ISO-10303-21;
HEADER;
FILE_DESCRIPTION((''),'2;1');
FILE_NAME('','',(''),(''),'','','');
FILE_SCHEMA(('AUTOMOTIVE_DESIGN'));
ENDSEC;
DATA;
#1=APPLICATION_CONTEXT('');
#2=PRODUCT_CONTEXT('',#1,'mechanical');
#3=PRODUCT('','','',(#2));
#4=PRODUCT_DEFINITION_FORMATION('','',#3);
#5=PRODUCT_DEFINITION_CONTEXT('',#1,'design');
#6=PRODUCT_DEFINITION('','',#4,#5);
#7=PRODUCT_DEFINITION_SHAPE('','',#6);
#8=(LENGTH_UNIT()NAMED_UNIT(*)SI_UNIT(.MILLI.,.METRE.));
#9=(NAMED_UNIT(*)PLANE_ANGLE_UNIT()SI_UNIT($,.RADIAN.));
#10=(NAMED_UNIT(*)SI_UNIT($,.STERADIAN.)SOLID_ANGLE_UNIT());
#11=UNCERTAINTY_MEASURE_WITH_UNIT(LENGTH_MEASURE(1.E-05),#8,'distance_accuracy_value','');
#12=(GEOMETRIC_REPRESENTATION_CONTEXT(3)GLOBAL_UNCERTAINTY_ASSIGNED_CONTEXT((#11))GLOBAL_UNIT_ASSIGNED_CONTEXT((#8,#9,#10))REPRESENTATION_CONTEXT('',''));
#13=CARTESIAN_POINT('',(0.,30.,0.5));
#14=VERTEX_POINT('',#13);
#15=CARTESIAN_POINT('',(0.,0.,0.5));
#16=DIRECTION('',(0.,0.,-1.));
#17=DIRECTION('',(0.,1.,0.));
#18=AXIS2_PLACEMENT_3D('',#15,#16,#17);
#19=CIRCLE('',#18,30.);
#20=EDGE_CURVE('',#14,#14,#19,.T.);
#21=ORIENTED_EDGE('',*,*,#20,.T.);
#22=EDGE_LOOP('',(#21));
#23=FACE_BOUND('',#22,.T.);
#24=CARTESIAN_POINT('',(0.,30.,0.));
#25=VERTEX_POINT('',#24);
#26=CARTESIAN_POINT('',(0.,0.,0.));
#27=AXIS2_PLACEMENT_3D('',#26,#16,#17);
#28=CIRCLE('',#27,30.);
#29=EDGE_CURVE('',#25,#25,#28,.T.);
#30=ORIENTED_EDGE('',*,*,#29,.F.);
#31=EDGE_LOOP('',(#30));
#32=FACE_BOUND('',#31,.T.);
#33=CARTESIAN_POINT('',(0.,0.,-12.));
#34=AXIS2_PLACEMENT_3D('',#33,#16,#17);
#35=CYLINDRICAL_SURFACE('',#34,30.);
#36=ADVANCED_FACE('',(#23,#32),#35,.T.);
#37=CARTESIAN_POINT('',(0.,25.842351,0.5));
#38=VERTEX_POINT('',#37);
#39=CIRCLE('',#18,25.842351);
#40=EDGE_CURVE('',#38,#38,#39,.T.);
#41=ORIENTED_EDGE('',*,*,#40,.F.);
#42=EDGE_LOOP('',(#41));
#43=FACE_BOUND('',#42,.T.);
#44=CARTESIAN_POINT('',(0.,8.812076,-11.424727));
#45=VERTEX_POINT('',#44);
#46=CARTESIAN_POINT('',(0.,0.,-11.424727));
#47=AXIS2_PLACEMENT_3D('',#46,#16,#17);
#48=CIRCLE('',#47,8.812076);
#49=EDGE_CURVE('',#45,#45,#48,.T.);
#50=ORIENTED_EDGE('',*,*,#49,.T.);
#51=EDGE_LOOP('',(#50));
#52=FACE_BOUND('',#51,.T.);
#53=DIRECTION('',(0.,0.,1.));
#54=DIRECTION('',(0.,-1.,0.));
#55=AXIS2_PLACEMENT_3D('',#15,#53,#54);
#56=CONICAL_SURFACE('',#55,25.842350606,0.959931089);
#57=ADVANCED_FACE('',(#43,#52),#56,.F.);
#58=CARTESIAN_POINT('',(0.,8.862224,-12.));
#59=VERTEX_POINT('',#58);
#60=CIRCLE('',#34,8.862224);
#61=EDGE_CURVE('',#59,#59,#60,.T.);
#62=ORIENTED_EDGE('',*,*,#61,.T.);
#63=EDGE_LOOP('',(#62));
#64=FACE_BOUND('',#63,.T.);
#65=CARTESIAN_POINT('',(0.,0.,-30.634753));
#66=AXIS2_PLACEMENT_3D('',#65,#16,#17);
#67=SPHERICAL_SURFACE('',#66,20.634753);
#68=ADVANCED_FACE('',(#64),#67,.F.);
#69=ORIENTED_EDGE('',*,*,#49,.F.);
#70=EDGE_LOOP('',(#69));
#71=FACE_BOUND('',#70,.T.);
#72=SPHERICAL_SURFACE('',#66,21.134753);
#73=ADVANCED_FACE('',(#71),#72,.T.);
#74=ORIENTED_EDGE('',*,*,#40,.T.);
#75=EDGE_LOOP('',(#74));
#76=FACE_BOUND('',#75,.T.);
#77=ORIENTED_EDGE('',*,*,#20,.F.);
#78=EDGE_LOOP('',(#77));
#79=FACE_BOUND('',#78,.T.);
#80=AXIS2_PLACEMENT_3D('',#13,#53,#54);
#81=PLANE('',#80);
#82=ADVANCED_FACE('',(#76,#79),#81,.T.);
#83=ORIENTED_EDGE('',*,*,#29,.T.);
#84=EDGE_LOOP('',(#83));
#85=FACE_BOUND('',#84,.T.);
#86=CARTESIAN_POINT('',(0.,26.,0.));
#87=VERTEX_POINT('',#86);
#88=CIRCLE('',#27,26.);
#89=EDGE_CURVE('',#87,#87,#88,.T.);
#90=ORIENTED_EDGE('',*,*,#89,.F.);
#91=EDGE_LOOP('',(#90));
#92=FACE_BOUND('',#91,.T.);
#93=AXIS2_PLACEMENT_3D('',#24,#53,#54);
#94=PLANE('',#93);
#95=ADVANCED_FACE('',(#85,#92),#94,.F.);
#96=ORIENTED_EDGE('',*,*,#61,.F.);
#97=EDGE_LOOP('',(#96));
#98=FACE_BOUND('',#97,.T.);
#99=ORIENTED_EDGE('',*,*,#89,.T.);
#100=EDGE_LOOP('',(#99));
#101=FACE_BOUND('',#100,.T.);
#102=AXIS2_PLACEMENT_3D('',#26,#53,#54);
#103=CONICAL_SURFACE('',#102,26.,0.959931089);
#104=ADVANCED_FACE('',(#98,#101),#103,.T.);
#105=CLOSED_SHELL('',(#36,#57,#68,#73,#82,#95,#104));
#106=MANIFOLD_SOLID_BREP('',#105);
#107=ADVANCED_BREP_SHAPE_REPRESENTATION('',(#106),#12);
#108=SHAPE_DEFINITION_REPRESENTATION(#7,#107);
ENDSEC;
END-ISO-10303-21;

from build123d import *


with BuildPart() as part:
    # Sketch1 → Revolve-Thin1 (revolve)
    with BuildSketch(Plane(origin=(0, 0, 0), x_dir=(0, 0, -1), z_dir=(1, 0, 0))):
        with BuildLine():
            Line((0, 30), (0, 26))
            Line((0, 26), (12, 8.862223919))
            ThreePointArc((12, 8.862223919), (10.506209129, 4.542549196), (10, 0))
            Line((10, 0), (9.5, 0))
            ThreePointArc((9.5, 0), (9.986787691, 4.509912766), (11.42472682, 8.812075766))
            Line((11.42472682, 8.812075766), (-0.5, 25.842350606))
            Line((-0.5, 25.842350606), (-0.5, 30))
            Line((-0.5, 30), (0, 30))
        make_face()
    revolve(axis=Axis((0, 0, -12), (0, 0, 1)))


solid = part.part
